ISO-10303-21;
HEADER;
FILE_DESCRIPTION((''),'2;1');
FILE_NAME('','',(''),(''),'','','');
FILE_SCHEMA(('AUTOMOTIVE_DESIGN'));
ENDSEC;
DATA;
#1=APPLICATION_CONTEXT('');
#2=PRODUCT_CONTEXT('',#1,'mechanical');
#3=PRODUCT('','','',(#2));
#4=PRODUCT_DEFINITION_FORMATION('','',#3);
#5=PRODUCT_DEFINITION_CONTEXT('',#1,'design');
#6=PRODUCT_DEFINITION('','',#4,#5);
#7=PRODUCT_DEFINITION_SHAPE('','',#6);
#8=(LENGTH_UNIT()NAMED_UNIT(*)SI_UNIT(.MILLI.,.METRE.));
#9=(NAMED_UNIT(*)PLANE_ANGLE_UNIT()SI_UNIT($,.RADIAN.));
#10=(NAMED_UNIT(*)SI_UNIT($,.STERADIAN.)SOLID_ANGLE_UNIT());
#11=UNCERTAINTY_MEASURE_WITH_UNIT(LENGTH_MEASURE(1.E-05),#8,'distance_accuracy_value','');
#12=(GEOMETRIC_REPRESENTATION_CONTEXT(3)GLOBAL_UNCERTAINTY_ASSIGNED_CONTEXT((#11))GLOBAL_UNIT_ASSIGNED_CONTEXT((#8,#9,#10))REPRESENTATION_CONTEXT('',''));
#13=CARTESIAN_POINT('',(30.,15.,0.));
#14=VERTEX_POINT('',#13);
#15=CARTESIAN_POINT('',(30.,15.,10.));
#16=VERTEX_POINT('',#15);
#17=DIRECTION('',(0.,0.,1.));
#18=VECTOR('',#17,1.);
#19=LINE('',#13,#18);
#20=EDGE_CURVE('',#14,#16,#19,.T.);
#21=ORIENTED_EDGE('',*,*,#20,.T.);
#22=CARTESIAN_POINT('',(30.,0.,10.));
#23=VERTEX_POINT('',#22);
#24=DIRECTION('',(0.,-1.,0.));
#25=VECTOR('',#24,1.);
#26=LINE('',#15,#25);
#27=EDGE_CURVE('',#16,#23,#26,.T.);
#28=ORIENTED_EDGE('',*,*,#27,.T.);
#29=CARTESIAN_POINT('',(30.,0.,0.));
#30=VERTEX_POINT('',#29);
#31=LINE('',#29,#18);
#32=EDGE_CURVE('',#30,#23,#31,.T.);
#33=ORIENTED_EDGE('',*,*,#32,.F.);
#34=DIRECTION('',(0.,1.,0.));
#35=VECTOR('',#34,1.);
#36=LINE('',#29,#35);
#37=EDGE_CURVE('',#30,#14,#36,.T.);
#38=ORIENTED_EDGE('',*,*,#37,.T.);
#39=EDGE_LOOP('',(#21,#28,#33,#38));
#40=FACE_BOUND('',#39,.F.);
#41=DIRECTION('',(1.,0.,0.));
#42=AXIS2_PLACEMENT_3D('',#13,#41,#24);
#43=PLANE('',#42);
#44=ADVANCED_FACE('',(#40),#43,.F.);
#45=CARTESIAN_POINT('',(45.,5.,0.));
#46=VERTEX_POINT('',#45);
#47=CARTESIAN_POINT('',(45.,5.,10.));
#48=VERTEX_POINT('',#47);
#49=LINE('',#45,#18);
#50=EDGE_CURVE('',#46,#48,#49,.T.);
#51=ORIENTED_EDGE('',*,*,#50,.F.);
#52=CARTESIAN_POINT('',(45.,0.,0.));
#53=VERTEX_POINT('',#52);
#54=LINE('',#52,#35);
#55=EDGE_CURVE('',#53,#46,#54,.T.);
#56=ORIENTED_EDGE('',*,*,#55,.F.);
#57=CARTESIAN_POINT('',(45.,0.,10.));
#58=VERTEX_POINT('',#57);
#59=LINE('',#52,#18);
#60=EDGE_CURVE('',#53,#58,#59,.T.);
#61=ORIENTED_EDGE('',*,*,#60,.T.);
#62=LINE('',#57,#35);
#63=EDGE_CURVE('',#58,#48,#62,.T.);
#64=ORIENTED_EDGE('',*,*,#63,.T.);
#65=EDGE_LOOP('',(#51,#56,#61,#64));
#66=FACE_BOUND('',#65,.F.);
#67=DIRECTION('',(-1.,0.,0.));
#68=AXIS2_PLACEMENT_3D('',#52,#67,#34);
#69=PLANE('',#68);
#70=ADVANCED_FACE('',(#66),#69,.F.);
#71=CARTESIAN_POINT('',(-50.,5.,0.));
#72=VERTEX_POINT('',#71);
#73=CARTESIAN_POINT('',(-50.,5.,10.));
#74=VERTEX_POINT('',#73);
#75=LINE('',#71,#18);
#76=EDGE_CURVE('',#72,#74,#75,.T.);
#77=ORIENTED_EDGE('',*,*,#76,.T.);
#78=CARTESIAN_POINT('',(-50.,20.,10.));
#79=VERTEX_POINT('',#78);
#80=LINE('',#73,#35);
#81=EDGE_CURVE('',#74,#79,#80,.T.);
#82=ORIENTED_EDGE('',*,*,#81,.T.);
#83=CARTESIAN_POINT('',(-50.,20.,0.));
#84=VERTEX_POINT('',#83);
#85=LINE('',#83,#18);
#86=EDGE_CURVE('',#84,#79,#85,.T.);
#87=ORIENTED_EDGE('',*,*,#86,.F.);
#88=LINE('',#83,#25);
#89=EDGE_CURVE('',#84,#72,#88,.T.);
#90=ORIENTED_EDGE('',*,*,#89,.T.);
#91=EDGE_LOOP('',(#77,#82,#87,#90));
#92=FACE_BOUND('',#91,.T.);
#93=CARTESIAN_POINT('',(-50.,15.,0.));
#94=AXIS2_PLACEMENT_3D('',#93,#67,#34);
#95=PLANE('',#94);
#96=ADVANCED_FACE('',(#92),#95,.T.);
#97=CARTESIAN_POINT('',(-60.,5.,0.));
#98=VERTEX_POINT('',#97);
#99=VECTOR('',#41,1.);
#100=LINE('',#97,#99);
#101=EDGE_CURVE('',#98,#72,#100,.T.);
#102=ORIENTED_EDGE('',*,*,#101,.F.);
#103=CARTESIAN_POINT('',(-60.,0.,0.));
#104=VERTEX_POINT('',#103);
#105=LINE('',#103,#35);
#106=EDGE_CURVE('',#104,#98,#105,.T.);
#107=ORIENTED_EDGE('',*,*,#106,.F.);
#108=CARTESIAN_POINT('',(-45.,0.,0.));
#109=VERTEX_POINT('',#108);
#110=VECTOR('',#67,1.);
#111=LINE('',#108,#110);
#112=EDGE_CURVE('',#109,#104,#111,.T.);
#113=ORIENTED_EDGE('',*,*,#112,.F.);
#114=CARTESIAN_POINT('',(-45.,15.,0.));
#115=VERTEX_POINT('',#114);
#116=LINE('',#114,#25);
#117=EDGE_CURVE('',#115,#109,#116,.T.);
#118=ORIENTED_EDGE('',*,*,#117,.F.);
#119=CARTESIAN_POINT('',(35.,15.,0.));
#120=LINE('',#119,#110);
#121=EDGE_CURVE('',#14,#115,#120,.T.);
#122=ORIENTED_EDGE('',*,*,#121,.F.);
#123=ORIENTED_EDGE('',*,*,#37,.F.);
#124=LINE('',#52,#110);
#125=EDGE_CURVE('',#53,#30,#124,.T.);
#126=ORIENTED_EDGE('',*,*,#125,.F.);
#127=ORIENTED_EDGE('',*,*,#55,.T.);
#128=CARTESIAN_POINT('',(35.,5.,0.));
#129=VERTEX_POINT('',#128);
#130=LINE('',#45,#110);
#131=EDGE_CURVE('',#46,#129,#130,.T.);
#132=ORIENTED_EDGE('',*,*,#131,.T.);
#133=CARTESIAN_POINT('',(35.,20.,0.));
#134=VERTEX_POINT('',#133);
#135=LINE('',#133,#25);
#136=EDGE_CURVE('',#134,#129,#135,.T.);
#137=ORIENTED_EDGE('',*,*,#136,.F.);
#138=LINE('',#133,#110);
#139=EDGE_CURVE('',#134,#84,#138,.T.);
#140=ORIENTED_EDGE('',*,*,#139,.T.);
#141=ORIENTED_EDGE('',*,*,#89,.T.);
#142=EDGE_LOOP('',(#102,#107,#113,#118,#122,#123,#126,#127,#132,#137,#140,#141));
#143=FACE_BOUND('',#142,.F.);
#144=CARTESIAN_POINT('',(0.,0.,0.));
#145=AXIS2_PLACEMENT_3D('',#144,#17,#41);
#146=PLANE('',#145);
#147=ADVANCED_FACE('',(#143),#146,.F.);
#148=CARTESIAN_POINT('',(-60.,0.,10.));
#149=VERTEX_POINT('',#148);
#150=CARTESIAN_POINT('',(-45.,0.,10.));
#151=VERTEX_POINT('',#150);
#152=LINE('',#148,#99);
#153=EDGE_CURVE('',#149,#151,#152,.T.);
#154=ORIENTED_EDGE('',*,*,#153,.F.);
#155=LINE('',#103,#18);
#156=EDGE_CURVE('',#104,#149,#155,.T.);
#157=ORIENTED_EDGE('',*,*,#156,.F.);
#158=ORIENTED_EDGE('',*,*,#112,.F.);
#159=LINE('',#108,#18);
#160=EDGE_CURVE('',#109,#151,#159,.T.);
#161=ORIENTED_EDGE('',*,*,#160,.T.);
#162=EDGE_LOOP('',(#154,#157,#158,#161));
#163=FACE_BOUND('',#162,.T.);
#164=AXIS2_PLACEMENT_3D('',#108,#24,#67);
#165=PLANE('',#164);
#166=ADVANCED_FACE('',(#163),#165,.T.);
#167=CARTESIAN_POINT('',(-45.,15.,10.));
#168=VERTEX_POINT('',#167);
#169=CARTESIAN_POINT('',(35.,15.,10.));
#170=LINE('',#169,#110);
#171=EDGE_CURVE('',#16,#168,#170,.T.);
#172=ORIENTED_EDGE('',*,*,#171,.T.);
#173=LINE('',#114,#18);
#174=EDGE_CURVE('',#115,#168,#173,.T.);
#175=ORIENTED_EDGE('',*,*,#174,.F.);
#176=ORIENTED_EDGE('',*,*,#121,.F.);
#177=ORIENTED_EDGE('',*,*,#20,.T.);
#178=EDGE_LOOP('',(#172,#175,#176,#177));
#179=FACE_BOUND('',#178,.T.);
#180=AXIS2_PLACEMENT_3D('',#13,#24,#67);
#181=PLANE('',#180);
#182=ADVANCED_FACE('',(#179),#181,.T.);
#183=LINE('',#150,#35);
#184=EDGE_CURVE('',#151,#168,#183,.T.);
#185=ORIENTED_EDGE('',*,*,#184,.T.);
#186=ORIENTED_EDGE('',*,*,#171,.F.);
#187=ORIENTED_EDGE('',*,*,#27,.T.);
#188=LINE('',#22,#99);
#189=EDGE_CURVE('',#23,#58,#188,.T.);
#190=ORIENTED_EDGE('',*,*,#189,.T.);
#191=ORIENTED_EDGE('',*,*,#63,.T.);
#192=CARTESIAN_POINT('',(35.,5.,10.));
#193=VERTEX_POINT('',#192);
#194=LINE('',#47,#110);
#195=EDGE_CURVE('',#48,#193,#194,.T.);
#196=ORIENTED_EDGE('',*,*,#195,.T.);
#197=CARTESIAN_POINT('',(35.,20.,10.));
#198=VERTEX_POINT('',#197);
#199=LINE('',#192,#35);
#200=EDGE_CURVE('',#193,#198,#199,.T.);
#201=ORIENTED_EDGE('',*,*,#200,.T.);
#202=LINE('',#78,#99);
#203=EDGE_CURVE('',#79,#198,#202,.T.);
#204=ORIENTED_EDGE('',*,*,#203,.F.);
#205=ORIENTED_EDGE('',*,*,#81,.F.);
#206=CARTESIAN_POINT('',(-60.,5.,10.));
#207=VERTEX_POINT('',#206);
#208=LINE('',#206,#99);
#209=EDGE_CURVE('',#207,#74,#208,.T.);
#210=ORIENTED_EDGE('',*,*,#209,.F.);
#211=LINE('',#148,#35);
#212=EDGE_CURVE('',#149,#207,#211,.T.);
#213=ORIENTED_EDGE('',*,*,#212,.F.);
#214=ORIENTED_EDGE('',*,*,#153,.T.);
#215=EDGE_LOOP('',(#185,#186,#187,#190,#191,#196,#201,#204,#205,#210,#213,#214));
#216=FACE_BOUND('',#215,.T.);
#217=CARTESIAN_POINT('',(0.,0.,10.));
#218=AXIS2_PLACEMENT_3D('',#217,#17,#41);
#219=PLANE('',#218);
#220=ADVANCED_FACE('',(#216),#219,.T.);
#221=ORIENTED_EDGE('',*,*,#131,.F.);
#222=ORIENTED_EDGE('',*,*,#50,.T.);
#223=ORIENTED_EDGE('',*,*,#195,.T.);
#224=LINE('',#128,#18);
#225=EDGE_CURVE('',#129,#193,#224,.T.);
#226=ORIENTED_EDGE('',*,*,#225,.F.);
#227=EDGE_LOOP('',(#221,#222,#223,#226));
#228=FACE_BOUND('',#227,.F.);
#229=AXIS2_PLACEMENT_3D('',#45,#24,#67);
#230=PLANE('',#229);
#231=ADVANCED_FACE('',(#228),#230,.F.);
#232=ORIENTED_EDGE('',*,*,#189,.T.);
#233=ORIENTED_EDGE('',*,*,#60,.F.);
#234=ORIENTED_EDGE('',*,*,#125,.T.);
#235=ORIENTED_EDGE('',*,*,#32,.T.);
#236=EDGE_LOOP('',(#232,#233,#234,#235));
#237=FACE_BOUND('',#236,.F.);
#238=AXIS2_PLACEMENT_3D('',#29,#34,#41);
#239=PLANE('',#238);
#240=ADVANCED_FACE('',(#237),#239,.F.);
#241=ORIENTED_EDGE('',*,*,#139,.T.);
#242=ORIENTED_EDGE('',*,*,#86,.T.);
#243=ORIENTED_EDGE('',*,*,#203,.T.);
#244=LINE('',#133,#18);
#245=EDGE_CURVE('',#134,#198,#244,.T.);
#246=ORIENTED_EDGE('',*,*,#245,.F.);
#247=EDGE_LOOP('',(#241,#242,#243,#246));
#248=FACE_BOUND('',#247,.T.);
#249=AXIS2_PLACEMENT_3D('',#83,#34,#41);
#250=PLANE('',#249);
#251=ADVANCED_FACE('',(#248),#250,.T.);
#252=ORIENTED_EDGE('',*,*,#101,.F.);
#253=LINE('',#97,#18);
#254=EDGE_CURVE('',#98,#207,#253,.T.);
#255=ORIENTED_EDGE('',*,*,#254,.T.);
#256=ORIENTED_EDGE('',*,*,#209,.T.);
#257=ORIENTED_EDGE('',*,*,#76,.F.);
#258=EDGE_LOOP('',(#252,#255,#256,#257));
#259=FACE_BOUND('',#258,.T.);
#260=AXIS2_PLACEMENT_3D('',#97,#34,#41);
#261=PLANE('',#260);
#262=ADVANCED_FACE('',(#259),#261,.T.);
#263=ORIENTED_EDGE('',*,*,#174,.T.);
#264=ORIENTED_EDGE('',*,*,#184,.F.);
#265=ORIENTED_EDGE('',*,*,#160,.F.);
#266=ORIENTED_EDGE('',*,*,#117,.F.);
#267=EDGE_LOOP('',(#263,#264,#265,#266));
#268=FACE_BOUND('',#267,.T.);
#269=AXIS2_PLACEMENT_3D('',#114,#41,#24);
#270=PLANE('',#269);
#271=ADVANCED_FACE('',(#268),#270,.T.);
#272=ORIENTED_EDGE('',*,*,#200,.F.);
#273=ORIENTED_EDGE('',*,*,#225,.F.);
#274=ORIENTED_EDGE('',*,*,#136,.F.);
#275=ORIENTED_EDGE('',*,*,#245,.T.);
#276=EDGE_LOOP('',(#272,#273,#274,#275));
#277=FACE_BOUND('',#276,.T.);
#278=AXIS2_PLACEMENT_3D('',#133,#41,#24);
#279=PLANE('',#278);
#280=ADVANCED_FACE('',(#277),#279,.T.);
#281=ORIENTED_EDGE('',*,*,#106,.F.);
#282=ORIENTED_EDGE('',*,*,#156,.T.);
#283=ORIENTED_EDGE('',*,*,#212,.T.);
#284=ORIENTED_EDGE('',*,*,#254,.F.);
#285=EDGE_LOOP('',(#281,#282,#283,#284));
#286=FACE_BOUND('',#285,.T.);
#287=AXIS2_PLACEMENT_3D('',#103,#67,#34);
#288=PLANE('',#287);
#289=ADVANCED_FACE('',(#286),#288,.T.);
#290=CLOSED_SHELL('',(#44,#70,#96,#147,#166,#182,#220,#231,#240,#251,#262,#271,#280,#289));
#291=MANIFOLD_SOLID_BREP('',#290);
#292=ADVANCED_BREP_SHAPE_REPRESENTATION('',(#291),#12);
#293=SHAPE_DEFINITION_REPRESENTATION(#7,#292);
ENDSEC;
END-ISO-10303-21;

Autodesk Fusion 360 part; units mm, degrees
sketch "Sketch1" plane through (0, 0, 0) normal (0, 0, 1) x (1, 0, 0)
  line L0 (-50, 20) -> (35, 20)
  line L1 (35, 20) -> (35, 15)
  line L2 (35, 15) -> (-50, 15)
  line L3 (-50, 15) -> (-50, 20)
  line L4 (-50, 20) -> (-45, 20)
  line L5 (-45, 20) -> (-45, 0)
  line L6 (-45, 0) -> (-50, 0)
  line L7 (-50, 0) -> (-50, 20)
  line L8 (35, 20) -> (30, 20)
  line L9 (30, 20) -> (30, 0)
  line L10 (30, 0) -> (35, 0)
  line L11 (35, 0) -> (35, 20)
  line L12 (30, 0) -> (45, 0)
  line L13 (45, 0) -> (45, 5)
  line L14 (45, 5) -> (30, 5)
  line L15 (30, 5) -> (30, 0)
  line L16 (-45, 0) -> (-60, 0)
  line L17 (-60, 0) -> (-60, 5)
  line L18 (-60, 5) -> (-45, 5)
  line L19 (-45, 5) -> (-45, 0)
  dimension "d1" = 85
  dimension "d2" = 5
  dimension "d3" = 5
  dimension "d4" = 20
  dimension "d5" = 5
  dimension "d6" = 20
  dimension "d7" = 15
  dimension "d8" = 5
  dimension "d9" = 15
  dimension "d10" = 5
extrude "Extrude1" add sketch "Sketch1" along normal blind 10
